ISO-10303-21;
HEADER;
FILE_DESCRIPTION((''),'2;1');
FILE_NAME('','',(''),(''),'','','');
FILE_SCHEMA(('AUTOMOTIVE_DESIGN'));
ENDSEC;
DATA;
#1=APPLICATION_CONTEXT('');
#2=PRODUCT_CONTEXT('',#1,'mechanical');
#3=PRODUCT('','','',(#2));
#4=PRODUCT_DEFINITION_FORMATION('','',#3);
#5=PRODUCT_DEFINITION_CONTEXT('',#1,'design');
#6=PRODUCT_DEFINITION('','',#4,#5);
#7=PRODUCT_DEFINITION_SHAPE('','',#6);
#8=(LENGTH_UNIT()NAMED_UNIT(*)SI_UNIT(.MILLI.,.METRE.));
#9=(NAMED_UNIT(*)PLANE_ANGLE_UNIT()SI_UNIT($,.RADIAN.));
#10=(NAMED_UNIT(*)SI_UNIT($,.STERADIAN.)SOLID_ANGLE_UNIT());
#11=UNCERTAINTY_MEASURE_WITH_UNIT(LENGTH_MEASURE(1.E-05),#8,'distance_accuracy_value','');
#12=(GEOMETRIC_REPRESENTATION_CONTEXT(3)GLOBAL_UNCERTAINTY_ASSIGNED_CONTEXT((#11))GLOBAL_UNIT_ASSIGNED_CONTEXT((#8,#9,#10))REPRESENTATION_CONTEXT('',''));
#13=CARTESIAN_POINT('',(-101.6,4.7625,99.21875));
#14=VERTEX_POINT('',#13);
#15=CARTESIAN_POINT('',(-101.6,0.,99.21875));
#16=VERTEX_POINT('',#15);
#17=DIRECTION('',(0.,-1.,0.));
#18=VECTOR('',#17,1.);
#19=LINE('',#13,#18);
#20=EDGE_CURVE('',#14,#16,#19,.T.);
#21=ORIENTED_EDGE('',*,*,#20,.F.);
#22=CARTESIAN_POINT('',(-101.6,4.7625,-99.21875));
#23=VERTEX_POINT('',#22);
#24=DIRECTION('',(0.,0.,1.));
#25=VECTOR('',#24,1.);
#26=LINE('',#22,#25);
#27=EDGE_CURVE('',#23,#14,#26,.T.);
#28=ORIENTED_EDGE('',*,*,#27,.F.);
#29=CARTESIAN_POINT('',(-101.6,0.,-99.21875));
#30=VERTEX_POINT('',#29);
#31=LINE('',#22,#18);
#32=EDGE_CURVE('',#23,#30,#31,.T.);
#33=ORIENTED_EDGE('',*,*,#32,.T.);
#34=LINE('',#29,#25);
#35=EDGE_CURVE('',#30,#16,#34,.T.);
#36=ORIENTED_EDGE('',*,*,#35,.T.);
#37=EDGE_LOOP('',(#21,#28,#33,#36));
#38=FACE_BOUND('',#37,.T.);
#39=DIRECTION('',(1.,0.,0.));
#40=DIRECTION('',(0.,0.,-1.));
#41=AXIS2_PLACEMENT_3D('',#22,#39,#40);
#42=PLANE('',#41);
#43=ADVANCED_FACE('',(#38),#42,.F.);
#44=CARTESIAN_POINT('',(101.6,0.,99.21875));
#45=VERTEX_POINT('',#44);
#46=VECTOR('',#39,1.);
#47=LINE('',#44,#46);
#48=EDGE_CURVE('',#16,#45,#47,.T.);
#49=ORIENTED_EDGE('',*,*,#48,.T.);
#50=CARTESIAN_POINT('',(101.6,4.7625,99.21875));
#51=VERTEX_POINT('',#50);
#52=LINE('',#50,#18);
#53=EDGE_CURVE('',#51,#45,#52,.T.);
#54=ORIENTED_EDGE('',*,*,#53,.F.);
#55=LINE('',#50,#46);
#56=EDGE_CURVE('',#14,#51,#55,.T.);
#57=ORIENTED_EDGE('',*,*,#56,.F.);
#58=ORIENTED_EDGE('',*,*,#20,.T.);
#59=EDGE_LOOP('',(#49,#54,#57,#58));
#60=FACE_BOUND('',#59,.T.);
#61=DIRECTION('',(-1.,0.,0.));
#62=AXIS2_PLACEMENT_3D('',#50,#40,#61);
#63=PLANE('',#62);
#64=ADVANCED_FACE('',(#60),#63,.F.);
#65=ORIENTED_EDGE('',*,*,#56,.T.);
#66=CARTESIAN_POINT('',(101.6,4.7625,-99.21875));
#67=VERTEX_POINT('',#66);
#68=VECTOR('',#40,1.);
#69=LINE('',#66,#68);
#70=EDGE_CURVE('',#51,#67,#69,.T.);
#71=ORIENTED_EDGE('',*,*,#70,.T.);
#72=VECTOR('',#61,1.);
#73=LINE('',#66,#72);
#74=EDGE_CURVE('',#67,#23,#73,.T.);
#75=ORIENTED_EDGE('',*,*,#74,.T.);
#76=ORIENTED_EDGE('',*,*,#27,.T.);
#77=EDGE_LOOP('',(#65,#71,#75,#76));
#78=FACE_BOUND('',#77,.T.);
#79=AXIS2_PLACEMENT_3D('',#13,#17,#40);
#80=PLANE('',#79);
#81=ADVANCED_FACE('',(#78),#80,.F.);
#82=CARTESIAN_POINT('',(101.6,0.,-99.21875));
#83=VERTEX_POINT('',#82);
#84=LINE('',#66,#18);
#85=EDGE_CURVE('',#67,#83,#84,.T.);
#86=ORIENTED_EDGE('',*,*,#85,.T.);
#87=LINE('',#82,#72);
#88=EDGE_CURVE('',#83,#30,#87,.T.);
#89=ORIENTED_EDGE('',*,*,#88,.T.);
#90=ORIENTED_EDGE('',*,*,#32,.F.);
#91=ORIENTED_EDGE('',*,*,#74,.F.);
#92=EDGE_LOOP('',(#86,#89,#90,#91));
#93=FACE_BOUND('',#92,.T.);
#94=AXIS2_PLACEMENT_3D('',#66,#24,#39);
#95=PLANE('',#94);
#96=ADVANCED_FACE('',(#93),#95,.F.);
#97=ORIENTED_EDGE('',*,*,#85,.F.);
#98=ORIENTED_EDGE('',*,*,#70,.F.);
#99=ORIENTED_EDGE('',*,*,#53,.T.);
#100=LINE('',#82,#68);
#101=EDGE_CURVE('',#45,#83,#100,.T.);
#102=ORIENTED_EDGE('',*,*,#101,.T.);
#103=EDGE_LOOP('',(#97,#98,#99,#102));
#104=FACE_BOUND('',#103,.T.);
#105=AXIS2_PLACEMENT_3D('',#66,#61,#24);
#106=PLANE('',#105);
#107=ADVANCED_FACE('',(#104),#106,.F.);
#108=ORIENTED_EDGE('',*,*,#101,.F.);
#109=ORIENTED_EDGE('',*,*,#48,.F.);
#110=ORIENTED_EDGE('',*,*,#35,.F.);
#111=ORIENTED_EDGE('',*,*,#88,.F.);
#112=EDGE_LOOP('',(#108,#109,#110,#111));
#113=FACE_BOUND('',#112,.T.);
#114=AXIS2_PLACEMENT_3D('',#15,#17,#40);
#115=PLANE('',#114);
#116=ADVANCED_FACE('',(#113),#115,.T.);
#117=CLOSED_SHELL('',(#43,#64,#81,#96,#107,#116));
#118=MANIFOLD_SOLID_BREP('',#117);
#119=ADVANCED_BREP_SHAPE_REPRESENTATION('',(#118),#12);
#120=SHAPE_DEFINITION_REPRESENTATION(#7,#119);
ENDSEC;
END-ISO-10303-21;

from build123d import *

# Parameters (mm, degrees)
SKETCH1_W           = 203.2
SKETCH1_H           = 198.4375
BOSS_EXTRUDE1_DEPTH = 4.7625


with BuildPart() as part:
    # Sketch1 → Boss-Extrude1 (new body)
    with BuildSketch(Plane(origin=(0, 0, 0), x_dir=(1, 0, 0), z_dir=(0, 1, 0))):
        Rectangle(SKETCH1_W, SKETCH1_H)
    extrude(amount=BOSS_EXTRUDE1_DEPTH)


solid = part.part
